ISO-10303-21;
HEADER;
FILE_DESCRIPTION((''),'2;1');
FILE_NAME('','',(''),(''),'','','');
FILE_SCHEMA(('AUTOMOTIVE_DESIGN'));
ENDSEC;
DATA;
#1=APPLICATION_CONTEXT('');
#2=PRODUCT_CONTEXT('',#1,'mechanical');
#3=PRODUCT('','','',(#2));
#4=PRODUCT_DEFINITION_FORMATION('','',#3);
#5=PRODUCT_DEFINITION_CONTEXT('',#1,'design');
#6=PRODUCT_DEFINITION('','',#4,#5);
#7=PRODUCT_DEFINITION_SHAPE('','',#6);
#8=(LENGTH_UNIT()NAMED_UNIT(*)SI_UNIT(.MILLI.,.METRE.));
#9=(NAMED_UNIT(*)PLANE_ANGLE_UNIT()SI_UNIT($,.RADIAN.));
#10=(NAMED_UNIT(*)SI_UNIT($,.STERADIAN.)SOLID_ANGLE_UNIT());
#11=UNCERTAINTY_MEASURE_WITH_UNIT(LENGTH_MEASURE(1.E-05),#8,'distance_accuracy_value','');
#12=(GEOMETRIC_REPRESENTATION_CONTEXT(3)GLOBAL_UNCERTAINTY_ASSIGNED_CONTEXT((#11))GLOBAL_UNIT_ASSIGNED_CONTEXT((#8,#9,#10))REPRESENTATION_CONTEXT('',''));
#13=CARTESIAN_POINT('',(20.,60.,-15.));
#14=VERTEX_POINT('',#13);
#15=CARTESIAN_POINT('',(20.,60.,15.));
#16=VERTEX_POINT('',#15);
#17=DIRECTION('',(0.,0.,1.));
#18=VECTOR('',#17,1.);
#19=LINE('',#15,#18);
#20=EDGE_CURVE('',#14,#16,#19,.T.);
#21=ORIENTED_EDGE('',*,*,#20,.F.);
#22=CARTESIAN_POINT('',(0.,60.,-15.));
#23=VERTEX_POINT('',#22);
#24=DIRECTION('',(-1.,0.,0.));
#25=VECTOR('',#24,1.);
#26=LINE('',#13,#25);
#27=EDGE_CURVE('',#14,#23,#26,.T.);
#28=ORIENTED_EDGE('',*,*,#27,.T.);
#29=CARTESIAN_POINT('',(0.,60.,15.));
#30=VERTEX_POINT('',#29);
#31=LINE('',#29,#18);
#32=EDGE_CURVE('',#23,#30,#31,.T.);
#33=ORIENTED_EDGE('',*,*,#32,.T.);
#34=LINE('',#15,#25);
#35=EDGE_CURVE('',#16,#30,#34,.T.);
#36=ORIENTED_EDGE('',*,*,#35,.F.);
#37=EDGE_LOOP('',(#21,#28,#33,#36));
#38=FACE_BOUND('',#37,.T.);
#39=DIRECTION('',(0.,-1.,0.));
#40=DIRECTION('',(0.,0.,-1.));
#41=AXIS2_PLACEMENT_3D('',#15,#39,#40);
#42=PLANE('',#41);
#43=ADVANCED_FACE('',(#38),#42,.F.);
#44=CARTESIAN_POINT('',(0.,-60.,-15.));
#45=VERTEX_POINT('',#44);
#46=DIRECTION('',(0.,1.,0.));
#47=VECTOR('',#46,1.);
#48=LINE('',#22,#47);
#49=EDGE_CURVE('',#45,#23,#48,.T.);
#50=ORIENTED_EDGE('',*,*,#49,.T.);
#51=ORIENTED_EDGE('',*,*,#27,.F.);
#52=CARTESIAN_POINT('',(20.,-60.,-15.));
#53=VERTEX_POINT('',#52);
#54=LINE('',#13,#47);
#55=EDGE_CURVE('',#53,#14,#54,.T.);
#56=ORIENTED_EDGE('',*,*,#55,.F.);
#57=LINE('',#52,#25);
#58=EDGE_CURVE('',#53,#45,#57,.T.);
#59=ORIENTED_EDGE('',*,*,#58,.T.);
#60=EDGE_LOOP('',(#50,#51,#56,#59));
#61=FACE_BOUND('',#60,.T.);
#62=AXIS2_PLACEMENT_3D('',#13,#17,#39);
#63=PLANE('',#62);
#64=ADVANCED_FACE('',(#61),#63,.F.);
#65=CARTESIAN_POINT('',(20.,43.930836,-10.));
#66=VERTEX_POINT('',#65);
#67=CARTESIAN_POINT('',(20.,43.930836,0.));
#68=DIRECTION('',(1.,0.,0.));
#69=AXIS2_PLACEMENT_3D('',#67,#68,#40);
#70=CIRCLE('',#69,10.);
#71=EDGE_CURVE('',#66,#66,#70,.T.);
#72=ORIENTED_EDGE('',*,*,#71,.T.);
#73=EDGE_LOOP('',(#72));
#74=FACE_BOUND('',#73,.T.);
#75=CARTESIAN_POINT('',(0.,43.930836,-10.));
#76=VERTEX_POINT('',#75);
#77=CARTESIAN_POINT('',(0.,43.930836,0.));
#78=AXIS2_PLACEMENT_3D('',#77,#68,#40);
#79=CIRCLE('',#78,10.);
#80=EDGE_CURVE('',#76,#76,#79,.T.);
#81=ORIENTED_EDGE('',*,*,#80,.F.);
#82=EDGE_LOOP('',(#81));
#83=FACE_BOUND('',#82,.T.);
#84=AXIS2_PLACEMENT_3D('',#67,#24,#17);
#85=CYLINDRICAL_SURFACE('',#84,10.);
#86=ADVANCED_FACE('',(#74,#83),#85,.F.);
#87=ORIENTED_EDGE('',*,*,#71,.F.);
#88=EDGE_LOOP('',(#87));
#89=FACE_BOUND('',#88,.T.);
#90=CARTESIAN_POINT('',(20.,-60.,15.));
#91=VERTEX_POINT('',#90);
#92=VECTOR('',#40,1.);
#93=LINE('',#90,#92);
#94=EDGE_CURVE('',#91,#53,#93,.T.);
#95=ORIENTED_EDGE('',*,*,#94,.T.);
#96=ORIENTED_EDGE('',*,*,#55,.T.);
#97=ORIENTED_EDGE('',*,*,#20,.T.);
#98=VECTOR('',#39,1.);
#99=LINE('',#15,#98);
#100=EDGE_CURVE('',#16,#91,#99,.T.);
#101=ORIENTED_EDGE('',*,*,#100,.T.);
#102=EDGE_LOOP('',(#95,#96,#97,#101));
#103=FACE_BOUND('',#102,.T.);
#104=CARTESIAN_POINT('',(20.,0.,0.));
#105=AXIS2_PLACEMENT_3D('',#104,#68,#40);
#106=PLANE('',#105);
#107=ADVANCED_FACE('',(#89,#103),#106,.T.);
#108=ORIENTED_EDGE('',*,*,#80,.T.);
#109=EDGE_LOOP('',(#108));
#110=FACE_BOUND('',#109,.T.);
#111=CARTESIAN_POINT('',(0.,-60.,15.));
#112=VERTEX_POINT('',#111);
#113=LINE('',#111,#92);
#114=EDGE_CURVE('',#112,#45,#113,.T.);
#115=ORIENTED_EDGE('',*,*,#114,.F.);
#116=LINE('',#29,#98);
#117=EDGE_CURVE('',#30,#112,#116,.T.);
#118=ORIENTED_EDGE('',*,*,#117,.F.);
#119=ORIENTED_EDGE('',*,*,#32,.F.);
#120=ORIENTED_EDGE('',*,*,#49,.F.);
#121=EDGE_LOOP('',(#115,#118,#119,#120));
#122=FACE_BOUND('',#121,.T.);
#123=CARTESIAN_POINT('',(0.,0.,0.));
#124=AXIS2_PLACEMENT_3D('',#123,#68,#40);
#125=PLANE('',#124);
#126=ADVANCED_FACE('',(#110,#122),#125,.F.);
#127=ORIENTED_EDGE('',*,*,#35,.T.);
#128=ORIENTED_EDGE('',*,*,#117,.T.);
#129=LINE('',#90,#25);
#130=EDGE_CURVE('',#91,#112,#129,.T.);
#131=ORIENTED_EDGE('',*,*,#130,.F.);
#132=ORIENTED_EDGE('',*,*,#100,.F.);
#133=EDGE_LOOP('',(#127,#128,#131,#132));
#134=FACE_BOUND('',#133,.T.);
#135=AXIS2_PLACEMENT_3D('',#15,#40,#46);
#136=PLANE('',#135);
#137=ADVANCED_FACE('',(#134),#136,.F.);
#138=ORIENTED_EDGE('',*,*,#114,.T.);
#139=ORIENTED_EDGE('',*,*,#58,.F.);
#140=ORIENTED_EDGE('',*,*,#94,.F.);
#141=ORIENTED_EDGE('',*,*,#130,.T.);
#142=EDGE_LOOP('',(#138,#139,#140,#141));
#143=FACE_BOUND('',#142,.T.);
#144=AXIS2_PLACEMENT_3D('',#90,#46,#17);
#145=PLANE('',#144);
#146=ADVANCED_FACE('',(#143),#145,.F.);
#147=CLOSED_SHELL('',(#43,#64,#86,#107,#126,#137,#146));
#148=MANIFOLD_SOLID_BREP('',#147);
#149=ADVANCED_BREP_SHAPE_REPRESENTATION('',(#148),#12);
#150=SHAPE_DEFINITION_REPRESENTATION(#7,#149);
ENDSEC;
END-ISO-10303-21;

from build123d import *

# Parameters (mm, degrees)
CROQUIS1_W              = 30
CROQUIS1_H              = 120
CROQUIS1_R              = 10
SALIENTE_EXTRUIR1_DEPTH = 20


with BuildPart() as part:
    # Croquis1 → Saliente-Extruir1 (new body)
    with BuildSketch(Plane(origin=(0, 0, 0), x_dir=(0, 0, -1), z_dir=(1, 0, 0))):
        Rectangle(CROQUIS1_W, CROQUIS1_H)
        with Locations((0, 43.93083587)):
            Circle(CROQUIS1_R, mode=Mode.SUBTRACT)
    extrude(amount=SALIENTE_EXTRUIR1_DEPTH)


solid = part.part
